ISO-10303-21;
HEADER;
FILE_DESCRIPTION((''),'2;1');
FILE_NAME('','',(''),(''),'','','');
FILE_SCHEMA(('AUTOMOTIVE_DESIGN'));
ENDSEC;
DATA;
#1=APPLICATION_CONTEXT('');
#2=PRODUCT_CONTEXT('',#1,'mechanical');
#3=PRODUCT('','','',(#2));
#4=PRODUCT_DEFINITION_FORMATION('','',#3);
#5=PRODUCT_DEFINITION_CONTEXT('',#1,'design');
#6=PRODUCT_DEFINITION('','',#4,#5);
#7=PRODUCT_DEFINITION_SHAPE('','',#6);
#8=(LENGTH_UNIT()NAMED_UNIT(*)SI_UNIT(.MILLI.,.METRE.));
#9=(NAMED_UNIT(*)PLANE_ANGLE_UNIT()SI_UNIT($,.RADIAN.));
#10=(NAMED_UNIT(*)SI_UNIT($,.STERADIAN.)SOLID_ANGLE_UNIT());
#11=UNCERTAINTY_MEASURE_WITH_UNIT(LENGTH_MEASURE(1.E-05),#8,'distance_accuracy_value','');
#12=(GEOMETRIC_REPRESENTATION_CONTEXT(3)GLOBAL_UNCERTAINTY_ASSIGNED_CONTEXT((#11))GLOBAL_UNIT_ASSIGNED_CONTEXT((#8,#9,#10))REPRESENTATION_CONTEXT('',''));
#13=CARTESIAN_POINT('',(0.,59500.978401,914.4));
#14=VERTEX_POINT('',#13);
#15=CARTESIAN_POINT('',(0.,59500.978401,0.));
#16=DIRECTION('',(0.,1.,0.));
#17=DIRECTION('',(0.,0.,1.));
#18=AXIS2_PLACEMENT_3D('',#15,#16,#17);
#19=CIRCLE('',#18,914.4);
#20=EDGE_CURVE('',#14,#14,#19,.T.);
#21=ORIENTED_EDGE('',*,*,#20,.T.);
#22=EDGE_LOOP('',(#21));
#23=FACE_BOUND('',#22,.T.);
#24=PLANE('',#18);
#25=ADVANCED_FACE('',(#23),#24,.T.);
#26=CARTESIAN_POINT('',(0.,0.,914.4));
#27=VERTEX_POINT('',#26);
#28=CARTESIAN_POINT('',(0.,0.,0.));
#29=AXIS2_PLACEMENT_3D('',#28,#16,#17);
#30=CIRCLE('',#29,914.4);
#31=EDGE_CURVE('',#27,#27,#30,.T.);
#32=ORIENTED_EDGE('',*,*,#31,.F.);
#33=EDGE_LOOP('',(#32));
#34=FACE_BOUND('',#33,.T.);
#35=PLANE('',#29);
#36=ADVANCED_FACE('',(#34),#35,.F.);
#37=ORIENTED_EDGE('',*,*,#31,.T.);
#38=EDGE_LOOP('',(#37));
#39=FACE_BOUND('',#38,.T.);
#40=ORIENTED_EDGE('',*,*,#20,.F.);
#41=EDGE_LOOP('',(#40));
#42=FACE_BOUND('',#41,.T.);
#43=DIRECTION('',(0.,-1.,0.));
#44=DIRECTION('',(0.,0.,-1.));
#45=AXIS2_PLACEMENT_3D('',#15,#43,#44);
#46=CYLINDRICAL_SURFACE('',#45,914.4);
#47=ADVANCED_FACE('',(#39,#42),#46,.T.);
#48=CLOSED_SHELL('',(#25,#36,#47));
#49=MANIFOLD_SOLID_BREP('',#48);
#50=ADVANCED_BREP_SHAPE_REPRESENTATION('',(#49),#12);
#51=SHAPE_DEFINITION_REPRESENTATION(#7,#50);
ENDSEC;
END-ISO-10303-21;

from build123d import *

# Parameters (mm, degrees)
SKETCH1_R           = 914.4
BOSS_EXTRUDE1_DEPTH = 59500.978401412


with BuildPart() as part:
    # Sketch1 → Boss-Extrude1 (new body)
    with BuildSketch(Plane(origin=(0, 0, 0), x_dir=(1, 0, 0), z_dir=(0, 1, 0))):
        Circle(SKETCH1_R)
    extrude(amount=BOSS_EXTRUDE1_DEPTH)


solid = part.part
